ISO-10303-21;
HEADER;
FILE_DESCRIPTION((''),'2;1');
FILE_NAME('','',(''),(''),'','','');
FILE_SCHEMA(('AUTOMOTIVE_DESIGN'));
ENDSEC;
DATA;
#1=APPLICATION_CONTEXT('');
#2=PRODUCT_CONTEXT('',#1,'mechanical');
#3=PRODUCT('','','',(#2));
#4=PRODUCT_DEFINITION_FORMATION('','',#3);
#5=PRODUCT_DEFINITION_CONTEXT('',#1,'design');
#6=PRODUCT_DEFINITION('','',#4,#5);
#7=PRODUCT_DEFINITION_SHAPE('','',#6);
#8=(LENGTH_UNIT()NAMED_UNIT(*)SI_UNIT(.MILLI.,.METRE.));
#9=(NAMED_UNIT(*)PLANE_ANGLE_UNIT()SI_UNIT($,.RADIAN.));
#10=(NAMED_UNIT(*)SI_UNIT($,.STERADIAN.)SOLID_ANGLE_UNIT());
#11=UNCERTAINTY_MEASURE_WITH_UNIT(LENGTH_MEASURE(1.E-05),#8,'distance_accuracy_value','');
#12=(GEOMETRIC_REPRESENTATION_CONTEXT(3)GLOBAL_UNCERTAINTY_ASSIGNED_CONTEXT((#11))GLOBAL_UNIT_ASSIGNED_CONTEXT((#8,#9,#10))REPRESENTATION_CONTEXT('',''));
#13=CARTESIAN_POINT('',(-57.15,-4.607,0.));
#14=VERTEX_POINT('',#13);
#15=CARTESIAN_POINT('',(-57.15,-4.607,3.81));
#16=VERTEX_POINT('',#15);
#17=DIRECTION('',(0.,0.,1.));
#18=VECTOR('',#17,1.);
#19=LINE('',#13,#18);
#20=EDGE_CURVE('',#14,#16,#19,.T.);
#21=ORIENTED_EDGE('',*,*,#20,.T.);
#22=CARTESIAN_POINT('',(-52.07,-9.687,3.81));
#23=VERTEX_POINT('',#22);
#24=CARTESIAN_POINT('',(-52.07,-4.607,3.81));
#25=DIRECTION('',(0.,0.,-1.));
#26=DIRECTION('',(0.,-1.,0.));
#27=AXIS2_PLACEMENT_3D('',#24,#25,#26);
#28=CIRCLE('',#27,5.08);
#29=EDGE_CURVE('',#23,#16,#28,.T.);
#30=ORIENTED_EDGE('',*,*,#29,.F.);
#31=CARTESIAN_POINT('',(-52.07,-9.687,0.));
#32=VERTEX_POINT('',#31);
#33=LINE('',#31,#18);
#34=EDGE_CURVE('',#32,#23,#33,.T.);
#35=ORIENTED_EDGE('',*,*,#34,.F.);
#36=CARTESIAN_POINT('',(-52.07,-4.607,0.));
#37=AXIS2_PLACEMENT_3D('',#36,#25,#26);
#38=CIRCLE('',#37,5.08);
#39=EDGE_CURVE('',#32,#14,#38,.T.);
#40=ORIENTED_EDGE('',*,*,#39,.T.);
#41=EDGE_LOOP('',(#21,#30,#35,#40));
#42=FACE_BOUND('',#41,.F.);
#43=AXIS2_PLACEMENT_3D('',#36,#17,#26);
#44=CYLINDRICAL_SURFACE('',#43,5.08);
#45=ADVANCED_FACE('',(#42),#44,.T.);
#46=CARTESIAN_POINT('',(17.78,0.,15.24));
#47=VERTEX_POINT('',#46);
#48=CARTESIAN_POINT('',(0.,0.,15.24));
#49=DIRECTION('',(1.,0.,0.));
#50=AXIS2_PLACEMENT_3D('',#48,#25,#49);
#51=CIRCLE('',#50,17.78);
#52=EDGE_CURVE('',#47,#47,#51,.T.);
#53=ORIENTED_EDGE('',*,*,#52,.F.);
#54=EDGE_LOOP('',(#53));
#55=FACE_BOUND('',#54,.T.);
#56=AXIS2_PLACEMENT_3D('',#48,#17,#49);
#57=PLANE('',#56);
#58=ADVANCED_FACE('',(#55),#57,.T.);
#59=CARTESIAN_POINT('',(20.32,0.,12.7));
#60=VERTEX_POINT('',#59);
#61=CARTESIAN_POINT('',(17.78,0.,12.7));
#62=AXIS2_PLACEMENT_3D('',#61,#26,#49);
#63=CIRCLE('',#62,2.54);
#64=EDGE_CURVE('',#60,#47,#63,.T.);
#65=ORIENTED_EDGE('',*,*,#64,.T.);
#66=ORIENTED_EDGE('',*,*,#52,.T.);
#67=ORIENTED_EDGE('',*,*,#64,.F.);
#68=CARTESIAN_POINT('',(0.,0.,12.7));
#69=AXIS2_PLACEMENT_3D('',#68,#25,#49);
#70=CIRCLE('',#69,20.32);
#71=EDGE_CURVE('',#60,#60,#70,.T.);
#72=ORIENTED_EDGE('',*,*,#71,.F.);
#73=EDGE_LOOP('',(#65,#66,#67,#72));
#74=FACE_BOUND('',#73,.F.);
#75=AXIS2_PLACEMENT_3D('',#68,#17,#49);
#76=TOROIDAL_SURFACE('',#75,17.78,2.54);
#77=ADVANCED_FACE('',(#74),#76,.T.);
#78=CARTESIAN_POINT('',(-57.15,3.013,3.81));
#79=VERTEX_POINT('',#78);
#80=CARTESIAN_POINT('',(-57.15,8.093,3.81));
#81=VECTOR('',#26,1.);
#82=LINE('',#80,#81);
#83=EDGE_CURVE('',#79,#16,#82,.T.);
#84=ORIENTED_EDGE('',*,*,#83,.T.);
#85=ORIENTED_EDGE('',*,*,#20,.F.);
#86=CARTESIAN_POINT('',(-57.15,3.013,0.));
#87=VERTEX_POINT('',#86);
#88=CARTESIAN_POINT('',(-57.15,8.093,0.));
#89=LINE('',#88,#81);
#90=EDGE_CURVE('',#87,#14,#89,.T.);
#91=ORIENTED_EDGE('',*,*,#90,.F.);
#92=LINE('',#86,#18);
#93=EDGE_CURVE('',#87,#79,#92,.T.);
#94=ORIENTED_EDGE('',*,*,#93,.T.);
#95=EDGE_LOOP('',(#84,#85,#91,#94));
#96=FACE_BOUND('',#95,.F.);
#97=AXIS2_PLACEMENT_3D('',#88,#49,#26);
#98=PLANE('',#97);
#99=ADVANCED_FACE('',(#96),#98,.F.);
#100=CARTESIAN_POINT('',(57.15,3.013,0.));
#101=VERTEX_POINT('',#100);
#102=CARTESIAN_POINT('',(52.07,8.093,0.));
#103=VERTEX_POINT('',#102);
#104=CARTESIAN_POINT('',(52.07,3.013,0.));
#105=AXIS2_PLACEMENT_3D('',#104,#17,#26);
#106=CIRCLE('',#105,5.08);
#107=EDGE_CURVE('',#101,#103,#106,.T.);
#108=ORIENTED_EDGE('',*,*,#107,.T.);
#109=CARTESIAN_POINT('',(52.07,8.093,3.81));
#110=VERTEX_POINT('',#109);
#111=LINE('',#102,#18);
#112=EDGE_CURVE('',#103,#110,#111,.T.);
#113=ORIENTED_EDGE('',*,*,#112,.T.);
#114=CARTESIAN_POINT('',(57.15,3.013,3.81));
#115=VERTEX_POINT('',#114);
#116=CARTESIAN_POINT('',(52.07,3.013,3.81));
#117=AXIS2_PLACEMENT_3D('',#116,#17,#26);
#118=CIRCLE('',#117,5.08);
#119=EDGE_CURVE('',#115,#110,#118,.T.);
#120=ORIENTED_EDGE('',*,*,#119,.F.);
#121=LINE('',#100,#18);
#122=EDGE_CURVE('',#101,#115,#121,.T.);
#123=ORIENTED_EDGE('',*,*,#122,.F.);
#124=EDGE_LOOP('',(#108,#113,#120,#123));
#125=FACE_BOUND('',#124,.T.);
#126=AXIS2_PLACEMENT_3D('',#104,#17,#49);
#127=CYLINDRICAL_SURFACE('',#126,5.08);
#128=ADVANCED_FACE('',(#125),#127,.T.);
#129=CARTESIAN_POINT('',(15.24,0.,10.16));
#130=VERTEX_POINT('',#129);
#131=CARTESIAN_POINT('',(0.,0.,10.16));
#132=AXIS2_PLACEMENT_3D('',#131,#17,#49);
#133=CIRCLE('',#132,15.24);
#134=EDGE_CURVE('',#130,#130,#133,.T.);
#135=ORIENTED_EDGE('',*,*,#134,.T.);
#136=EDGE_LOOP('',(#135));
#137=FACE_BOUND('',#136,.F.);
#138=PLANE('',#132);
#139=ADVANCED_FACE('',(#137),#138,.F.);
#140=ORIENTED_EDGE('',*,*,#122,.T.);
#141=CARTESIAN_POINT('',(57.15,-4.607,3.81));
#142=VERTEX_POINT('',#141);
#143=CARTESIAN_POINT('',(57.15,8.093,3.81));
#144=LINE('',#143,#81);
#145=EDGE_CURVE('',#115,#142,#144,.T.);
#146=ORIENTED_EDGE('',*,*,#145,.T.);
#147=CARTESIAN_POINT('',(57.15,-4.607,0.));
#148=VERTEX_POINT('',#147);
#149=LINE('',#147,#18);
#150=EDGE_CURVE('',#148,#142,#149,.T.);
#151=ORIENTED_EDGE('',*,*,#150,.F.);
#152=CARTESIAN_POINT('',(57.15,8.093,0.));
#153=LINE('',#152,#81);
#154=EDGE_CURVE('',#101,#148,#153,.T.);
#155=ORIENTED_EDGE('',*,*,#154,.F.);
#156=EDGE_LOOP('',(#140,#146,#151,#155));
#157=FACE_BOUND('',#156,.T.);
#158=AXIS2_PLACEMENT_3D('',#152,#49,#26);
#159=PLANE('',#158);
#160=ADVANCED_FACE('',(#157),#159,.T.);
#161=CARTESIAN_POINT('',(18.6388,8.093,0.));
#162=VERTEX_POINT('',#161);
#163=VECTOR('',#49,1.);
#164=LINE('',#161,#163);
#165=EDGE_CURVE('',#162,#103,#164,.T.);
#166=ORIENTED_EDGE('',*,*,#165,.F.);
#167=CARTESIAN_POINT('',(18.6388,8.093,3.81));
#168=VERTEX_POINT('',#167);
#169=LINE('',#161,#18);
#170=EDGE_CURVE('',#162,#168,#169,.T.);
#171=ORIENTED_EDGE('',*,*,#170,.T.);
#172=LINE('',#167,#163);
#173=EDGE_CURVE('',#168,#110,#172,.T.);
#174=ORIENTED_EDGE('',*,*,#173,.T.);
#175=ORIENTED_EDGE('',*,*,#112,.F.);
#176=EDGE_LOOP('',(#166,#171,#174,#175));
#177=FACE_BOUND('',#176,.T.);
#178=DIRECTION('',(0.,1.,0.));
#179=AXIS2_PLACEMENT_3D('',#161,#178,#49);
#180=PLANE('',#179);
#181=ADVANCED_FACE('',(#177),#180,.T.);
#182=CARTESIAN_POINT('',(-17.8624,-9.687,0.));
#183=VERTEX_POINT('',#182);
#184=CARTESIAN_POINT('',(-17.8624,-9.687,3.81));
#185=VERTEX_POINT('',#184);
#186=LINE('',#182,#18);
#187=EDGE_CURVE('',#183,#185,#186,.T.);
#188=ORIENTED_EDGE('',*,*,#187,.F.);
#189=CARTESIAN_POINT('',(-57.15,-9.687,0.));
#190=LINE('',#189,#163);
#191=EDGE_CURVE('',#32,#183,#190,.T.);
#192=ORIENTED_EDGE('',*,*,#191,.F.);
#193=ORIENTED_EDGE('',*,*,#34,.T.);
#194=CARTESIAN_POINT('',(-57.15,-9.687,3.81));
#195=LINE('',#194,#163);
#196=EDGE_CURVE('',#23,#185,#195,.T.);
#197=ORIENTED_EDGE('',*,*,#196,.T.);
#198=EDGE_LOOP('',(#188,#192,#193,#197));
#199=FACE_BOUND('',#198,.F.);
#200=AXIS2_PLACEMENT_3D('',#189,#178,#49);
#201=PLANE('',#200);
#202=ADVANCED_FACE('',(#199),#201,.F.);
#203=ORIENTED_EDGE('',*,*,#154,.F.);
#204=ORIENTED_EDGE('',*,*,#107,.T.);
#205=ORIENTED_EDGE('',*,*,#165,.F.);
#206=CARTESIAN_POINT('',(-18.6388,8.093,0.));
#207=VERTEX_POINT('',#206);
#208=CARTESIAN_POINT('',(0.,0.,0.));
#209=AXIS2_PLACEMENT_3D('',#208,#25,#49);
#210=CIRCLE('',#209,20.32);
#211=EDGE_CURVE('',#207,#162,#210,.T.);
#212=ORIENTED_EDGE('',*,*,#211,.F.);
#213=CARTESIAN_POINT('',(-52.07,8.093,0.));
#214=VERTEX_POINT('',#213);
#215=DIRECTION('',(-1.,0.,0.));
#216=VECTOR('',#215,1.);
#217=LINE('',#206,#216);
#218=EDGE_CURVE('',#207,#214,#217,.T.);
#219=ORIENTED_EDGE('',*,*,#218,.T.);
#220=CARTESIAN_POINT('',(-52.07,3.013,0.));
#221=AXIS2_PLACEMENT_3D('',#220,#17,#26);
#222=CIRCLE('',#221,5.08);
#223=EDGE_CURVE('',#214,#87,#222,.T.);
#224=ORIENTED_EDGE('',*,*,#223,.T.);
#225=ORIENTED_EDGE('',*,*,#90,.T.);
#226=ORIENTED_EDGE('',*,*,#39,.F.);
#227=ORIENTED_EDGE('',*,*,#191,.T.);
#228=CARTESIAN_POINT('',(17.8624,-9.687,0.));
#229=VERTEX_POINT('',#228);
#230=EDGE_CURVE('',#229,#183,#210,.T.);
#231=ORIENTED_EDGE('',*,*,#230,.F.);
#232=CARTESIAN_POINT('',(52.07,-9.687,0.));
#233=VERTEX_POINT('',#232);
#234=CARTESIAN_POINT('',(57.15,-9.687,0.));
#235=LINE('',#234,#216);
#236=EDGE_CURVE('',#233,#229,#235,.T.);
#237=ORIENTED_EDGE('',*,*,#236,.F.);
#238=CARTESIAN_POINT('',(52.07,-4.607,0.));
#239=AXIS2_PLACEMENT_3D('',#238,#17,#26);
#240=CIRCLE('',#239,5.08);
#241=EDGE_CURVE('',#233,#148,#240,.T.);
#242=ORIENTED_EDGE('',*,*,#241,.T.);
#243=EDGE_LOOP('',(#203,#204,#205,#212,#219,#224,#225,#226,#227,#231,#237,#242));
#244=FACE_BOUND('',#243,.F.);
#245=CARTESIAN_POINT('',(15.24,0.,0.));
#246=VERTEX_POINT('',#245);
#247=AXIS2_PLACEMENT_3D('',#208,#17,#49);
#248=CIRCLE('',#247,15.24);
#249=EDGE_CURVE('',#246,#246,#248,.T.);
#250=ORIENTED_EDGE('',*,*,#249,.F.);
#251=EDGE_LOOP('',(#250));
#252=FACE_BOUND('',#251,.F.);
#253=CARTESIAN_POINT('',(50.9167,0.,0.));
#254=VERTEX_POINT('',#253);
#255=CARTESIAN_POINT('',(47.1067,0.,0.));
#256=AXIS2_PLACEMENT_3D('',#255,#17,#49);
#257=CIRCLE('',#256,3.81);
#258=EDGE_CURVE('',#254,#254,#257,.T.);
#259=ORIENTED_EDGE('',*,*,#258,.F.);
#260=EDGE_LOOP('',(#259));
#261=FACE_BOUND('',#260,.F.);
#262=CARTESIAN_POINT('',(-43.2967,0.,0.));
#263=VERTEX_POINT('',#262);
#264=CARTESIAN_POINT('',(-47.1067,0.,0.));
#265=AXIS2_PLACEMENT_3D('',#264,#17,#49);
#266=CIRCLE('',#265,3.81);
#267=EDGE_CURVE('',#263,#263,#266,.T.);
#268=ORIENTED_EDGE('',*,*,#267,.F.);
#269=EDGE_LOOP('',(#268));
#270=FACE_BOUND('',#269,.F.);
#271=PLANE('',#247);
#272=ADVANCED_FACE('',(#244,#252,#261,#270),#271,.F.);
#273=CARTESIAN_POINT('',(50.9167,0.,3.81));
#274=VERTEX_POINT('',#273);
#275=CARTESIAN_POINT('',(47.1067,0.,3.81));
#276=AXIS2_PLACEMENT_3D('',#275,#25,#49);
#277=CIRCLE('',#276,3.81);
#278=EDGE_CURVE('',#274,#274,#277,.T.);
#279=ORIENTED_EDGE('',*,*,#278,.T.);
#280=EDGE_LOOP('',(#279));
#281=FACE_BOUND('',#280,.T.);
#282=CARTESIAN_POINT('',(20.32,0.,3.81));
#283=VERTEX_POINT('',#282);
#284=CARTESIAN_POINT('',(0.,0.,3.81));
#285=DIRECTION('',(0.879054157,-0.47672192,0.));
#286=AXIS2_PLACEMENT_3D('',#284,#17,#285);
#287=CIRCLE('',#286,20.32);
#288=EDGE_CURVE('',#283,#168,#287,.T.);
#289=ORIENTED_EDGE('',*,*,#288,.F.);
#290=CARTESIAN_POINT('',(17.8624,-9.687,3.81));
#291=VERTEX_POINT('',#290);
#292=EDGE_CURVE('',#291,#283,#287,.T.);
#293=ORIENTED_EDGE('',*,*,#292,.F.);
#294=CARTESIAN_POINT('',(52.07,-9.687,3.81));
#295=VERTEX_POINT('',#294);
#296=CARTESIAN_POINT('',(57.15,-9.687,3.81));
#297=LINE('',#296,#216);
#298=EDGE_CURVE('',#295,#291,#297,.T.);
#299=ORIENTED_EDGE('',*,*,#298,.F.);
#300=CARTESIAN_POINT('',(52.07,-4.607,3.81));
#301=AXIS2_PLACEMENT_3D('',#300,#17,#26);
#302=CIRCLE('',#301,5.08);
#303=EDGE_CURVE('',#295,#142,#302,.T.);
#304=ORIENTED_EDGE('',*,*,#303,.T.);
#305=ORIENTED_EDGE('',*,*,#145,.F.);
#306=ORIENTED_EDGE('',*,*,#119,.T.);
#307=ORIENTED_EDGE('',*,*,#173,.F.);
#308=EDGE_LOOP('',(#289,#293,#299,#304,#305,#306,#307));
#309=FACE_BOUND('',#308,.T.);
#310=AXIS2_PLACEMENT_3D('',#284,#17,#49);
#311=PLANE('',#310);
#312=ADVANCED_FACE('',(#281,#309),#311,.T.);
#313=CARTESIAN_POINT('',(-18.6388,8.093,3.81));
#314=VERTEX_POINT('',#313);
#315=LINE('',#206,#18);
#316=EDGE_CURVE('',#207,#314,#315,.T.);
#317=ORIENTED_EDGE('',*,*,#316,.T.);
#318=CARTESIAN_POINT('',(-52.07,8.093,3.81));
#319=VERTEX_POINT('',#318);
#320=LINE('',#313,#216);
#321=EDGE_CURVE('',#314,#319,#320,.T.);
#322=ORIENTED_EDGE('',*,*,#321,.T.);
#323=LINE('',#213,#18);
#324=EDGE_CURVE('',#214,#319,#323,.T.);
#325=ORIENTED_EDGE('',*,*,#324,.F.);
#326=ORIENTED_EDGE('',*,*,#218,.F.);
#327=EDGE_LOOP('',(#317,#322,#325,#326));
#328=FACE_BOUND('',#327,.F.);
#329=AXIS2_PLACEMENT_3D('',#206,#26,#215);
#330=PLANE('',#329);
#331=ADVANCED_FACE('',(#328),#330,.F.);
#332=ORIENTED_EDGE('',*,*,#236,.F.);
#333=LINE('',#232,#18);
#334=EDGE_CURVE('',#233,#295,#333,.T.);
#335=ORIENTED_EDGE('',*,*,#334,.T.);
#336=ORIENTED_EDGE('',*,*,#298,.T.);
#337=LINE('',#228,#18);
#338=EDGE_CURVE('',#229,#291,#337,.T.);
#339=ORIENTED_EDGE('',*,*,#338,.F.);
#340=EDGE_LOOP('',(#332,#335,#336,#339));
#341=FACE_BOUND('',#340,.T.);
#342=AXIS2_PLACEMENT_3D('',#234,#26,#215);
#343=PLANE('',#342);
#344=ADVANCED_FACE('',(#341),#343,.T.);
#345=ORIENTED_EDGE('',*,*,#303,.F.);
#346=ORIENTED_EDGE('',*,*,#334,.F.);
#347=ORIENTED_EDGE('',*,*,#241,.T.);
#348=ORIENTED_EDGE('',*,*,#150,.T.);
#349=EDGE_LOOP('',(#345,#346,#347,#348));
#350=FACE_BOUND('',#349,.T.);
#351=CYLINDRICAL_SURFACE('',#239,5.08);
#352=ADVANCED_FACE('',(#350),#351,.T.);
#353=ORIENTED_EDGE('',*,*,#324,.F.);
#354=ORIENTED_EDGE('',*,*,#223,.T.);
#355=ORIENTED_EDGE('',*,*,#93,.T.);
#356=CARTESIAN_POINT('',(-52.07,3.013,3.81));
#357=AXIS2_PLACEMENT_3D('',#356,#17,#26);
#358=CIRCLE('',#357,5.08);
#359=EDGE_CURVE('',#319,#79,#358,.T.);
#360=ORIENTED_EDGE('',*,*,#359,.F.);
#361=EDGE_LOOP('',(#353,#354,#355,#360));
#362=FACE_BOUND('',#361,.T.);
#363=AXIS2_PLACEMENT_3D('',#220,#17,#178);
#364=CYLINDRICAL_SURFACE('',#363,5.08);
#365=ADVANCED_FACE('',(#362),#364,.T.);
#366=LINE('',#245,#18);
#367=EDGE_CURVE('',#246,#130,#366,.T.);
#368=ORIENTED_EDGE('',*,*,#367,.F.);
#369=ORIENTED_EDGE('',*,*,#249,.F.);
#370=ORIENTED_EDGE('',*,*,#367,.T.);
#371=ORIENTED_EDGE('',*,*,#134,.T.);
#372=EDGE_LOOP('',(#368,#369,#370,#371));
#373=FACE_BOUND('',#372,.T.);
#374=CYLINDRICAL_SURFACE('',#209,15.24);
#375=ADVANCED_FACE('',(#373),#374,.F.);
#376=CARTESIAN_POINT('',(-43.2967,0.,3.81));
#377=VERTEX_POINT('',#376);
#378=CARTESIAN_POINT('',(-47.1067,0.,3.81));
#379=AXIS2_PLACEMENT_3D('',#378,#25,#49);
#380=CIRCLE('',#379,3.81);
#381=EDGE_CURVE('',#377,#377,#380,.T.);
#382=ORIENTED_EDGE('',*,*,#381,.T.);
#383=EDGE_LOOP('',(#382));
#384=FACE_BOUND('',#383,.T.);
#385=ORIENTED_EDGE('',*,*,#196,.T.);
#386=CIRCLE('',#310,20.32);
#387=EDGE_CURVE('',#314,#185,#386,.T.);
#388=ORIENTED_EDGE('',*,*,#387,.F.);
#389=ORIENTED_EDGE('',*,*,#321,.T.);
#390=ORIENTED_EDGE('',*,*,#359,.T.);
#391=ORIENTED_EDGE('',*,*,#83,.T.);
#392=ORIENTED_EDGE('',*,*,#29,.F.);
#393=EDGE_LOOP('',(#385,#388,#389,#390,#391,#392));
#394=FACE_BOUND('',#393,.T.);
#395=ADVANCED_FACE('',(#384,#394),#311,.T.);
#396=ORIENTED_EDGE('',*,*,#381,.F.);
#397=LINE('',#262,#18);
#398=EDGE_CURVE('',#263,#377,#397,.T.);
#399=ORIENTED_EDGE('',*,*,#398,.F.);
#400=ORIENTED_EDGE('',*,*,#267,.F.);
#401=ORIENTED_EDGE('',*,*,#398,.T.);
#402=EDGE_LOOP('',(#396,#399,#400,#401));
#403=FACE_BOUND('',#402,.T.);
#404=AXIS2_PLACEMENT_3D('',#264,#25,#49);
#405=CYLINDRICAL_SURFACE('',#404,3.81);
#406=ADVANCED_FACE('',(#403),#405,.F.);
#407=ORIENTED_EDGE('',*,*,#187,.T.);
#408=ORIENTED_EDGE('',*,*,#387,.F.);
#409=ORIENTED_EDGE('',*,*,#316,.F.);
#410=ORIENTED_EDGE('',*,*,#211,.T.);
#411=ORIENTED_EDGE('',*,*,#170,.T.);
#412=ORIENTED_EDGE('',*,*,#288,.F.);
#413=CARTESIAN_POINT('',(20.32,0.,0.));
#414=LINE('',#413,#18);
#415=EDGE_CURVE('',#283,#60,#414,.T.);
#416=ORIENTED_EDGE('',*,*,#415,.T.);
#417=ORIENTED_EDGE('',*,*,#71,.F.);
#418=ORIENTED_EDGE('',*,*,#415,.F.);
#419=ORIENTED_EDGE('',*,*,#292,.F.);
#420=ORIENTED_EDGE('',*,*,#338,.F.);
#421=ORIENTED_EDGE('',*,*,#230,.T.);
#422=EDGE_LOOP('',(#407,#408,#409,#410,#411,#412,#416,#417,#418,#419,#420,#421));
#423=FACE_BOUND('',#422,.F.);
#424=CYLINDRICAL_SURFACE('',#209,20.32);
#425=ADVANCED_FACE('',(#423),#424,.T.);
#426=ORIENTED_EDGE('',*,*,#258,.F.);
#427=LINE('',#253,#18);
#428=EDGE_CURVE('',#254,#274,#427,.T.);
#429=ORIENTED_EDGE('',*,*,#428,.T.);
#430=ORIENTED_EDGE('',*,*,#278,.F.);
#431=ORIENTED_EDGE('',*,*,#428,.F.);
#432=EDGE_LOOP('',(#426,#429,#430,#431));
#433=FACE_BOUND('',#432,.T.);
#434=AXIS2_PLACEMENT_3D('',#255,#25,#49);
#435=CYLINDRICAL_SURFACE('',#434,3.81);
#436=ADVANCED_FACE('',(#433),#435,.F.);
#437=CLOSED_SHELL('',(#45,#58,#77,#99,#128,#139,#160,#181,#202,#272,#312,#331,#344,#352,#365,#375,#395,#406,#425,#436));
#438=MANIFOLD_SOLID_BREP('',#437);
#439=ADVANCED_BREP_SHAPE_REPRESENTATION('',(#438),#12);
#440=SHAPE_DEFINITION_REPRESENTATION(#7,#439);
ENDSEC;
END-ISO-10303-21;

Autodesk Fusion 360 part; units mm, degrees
sketch "Sketch1" plane through (0, 0, 0) normal (0, 0, 1) x (1, 0, 0)
  circle A0 centre (0, 0) radius 15.24
  circle A1 centre (0, 0) radius 20.32
  line L0 (18.6388, 8.093) -> (57.15, 8.093)
  line L1 (57.15, 8.093) -> (57.15, -9.687)
  line L2 (57.15, -9.687) -> (17.8624, -9.687)
  line L3 (0, 15.24) -> (0, -15.24) construction
  line L4 (-18.6388, 8.093) -> (-57.15, 8.093)
  line L5 (-57.15, 8.093) -> (-57.15, -9.687)
  line L6 (-57.15, -9.687) -> (-17.8624, -9.687)
  circle A2 centre (-47.1067, 0) radius 3.81
  circle A3 centre (47.1067, 0) radius 3.81
  dimension "d1" = 30.48
  dimension "d2" = 5.08
  dimension "d3" = 57.15
  dimension "d4" = 17.78
  dimension "d11" = 7.62
extrude "Extrude1" add sketch "Sketch1" along normal blind 15.24 contours A0 | A1
extrude "Extrude2" add sketch "Sketch1" along normal blind 3.81 contours A1 L0 L1 L2 | A1 L4 L5 L6 | A2 | A3
fillet "Fillet1" radius 5.08 4 edges at (57.15, 8.093, 1.905) (57.15, -9.687, 1.905) (-57.15, 8.093, 1.905) (-57.15, -9.687, 1.905)
extrude "Extrude3" cut sketch "Sketch1" along normal blind 5.08 contours A2 | A3
extrude "Extrude4" cut sketch "Sketch1" along normal blind 10.16 contours A0
fillet "Fillet2" radius 2.54 1 edges at (-18.9449, -7.348, 15.24)
